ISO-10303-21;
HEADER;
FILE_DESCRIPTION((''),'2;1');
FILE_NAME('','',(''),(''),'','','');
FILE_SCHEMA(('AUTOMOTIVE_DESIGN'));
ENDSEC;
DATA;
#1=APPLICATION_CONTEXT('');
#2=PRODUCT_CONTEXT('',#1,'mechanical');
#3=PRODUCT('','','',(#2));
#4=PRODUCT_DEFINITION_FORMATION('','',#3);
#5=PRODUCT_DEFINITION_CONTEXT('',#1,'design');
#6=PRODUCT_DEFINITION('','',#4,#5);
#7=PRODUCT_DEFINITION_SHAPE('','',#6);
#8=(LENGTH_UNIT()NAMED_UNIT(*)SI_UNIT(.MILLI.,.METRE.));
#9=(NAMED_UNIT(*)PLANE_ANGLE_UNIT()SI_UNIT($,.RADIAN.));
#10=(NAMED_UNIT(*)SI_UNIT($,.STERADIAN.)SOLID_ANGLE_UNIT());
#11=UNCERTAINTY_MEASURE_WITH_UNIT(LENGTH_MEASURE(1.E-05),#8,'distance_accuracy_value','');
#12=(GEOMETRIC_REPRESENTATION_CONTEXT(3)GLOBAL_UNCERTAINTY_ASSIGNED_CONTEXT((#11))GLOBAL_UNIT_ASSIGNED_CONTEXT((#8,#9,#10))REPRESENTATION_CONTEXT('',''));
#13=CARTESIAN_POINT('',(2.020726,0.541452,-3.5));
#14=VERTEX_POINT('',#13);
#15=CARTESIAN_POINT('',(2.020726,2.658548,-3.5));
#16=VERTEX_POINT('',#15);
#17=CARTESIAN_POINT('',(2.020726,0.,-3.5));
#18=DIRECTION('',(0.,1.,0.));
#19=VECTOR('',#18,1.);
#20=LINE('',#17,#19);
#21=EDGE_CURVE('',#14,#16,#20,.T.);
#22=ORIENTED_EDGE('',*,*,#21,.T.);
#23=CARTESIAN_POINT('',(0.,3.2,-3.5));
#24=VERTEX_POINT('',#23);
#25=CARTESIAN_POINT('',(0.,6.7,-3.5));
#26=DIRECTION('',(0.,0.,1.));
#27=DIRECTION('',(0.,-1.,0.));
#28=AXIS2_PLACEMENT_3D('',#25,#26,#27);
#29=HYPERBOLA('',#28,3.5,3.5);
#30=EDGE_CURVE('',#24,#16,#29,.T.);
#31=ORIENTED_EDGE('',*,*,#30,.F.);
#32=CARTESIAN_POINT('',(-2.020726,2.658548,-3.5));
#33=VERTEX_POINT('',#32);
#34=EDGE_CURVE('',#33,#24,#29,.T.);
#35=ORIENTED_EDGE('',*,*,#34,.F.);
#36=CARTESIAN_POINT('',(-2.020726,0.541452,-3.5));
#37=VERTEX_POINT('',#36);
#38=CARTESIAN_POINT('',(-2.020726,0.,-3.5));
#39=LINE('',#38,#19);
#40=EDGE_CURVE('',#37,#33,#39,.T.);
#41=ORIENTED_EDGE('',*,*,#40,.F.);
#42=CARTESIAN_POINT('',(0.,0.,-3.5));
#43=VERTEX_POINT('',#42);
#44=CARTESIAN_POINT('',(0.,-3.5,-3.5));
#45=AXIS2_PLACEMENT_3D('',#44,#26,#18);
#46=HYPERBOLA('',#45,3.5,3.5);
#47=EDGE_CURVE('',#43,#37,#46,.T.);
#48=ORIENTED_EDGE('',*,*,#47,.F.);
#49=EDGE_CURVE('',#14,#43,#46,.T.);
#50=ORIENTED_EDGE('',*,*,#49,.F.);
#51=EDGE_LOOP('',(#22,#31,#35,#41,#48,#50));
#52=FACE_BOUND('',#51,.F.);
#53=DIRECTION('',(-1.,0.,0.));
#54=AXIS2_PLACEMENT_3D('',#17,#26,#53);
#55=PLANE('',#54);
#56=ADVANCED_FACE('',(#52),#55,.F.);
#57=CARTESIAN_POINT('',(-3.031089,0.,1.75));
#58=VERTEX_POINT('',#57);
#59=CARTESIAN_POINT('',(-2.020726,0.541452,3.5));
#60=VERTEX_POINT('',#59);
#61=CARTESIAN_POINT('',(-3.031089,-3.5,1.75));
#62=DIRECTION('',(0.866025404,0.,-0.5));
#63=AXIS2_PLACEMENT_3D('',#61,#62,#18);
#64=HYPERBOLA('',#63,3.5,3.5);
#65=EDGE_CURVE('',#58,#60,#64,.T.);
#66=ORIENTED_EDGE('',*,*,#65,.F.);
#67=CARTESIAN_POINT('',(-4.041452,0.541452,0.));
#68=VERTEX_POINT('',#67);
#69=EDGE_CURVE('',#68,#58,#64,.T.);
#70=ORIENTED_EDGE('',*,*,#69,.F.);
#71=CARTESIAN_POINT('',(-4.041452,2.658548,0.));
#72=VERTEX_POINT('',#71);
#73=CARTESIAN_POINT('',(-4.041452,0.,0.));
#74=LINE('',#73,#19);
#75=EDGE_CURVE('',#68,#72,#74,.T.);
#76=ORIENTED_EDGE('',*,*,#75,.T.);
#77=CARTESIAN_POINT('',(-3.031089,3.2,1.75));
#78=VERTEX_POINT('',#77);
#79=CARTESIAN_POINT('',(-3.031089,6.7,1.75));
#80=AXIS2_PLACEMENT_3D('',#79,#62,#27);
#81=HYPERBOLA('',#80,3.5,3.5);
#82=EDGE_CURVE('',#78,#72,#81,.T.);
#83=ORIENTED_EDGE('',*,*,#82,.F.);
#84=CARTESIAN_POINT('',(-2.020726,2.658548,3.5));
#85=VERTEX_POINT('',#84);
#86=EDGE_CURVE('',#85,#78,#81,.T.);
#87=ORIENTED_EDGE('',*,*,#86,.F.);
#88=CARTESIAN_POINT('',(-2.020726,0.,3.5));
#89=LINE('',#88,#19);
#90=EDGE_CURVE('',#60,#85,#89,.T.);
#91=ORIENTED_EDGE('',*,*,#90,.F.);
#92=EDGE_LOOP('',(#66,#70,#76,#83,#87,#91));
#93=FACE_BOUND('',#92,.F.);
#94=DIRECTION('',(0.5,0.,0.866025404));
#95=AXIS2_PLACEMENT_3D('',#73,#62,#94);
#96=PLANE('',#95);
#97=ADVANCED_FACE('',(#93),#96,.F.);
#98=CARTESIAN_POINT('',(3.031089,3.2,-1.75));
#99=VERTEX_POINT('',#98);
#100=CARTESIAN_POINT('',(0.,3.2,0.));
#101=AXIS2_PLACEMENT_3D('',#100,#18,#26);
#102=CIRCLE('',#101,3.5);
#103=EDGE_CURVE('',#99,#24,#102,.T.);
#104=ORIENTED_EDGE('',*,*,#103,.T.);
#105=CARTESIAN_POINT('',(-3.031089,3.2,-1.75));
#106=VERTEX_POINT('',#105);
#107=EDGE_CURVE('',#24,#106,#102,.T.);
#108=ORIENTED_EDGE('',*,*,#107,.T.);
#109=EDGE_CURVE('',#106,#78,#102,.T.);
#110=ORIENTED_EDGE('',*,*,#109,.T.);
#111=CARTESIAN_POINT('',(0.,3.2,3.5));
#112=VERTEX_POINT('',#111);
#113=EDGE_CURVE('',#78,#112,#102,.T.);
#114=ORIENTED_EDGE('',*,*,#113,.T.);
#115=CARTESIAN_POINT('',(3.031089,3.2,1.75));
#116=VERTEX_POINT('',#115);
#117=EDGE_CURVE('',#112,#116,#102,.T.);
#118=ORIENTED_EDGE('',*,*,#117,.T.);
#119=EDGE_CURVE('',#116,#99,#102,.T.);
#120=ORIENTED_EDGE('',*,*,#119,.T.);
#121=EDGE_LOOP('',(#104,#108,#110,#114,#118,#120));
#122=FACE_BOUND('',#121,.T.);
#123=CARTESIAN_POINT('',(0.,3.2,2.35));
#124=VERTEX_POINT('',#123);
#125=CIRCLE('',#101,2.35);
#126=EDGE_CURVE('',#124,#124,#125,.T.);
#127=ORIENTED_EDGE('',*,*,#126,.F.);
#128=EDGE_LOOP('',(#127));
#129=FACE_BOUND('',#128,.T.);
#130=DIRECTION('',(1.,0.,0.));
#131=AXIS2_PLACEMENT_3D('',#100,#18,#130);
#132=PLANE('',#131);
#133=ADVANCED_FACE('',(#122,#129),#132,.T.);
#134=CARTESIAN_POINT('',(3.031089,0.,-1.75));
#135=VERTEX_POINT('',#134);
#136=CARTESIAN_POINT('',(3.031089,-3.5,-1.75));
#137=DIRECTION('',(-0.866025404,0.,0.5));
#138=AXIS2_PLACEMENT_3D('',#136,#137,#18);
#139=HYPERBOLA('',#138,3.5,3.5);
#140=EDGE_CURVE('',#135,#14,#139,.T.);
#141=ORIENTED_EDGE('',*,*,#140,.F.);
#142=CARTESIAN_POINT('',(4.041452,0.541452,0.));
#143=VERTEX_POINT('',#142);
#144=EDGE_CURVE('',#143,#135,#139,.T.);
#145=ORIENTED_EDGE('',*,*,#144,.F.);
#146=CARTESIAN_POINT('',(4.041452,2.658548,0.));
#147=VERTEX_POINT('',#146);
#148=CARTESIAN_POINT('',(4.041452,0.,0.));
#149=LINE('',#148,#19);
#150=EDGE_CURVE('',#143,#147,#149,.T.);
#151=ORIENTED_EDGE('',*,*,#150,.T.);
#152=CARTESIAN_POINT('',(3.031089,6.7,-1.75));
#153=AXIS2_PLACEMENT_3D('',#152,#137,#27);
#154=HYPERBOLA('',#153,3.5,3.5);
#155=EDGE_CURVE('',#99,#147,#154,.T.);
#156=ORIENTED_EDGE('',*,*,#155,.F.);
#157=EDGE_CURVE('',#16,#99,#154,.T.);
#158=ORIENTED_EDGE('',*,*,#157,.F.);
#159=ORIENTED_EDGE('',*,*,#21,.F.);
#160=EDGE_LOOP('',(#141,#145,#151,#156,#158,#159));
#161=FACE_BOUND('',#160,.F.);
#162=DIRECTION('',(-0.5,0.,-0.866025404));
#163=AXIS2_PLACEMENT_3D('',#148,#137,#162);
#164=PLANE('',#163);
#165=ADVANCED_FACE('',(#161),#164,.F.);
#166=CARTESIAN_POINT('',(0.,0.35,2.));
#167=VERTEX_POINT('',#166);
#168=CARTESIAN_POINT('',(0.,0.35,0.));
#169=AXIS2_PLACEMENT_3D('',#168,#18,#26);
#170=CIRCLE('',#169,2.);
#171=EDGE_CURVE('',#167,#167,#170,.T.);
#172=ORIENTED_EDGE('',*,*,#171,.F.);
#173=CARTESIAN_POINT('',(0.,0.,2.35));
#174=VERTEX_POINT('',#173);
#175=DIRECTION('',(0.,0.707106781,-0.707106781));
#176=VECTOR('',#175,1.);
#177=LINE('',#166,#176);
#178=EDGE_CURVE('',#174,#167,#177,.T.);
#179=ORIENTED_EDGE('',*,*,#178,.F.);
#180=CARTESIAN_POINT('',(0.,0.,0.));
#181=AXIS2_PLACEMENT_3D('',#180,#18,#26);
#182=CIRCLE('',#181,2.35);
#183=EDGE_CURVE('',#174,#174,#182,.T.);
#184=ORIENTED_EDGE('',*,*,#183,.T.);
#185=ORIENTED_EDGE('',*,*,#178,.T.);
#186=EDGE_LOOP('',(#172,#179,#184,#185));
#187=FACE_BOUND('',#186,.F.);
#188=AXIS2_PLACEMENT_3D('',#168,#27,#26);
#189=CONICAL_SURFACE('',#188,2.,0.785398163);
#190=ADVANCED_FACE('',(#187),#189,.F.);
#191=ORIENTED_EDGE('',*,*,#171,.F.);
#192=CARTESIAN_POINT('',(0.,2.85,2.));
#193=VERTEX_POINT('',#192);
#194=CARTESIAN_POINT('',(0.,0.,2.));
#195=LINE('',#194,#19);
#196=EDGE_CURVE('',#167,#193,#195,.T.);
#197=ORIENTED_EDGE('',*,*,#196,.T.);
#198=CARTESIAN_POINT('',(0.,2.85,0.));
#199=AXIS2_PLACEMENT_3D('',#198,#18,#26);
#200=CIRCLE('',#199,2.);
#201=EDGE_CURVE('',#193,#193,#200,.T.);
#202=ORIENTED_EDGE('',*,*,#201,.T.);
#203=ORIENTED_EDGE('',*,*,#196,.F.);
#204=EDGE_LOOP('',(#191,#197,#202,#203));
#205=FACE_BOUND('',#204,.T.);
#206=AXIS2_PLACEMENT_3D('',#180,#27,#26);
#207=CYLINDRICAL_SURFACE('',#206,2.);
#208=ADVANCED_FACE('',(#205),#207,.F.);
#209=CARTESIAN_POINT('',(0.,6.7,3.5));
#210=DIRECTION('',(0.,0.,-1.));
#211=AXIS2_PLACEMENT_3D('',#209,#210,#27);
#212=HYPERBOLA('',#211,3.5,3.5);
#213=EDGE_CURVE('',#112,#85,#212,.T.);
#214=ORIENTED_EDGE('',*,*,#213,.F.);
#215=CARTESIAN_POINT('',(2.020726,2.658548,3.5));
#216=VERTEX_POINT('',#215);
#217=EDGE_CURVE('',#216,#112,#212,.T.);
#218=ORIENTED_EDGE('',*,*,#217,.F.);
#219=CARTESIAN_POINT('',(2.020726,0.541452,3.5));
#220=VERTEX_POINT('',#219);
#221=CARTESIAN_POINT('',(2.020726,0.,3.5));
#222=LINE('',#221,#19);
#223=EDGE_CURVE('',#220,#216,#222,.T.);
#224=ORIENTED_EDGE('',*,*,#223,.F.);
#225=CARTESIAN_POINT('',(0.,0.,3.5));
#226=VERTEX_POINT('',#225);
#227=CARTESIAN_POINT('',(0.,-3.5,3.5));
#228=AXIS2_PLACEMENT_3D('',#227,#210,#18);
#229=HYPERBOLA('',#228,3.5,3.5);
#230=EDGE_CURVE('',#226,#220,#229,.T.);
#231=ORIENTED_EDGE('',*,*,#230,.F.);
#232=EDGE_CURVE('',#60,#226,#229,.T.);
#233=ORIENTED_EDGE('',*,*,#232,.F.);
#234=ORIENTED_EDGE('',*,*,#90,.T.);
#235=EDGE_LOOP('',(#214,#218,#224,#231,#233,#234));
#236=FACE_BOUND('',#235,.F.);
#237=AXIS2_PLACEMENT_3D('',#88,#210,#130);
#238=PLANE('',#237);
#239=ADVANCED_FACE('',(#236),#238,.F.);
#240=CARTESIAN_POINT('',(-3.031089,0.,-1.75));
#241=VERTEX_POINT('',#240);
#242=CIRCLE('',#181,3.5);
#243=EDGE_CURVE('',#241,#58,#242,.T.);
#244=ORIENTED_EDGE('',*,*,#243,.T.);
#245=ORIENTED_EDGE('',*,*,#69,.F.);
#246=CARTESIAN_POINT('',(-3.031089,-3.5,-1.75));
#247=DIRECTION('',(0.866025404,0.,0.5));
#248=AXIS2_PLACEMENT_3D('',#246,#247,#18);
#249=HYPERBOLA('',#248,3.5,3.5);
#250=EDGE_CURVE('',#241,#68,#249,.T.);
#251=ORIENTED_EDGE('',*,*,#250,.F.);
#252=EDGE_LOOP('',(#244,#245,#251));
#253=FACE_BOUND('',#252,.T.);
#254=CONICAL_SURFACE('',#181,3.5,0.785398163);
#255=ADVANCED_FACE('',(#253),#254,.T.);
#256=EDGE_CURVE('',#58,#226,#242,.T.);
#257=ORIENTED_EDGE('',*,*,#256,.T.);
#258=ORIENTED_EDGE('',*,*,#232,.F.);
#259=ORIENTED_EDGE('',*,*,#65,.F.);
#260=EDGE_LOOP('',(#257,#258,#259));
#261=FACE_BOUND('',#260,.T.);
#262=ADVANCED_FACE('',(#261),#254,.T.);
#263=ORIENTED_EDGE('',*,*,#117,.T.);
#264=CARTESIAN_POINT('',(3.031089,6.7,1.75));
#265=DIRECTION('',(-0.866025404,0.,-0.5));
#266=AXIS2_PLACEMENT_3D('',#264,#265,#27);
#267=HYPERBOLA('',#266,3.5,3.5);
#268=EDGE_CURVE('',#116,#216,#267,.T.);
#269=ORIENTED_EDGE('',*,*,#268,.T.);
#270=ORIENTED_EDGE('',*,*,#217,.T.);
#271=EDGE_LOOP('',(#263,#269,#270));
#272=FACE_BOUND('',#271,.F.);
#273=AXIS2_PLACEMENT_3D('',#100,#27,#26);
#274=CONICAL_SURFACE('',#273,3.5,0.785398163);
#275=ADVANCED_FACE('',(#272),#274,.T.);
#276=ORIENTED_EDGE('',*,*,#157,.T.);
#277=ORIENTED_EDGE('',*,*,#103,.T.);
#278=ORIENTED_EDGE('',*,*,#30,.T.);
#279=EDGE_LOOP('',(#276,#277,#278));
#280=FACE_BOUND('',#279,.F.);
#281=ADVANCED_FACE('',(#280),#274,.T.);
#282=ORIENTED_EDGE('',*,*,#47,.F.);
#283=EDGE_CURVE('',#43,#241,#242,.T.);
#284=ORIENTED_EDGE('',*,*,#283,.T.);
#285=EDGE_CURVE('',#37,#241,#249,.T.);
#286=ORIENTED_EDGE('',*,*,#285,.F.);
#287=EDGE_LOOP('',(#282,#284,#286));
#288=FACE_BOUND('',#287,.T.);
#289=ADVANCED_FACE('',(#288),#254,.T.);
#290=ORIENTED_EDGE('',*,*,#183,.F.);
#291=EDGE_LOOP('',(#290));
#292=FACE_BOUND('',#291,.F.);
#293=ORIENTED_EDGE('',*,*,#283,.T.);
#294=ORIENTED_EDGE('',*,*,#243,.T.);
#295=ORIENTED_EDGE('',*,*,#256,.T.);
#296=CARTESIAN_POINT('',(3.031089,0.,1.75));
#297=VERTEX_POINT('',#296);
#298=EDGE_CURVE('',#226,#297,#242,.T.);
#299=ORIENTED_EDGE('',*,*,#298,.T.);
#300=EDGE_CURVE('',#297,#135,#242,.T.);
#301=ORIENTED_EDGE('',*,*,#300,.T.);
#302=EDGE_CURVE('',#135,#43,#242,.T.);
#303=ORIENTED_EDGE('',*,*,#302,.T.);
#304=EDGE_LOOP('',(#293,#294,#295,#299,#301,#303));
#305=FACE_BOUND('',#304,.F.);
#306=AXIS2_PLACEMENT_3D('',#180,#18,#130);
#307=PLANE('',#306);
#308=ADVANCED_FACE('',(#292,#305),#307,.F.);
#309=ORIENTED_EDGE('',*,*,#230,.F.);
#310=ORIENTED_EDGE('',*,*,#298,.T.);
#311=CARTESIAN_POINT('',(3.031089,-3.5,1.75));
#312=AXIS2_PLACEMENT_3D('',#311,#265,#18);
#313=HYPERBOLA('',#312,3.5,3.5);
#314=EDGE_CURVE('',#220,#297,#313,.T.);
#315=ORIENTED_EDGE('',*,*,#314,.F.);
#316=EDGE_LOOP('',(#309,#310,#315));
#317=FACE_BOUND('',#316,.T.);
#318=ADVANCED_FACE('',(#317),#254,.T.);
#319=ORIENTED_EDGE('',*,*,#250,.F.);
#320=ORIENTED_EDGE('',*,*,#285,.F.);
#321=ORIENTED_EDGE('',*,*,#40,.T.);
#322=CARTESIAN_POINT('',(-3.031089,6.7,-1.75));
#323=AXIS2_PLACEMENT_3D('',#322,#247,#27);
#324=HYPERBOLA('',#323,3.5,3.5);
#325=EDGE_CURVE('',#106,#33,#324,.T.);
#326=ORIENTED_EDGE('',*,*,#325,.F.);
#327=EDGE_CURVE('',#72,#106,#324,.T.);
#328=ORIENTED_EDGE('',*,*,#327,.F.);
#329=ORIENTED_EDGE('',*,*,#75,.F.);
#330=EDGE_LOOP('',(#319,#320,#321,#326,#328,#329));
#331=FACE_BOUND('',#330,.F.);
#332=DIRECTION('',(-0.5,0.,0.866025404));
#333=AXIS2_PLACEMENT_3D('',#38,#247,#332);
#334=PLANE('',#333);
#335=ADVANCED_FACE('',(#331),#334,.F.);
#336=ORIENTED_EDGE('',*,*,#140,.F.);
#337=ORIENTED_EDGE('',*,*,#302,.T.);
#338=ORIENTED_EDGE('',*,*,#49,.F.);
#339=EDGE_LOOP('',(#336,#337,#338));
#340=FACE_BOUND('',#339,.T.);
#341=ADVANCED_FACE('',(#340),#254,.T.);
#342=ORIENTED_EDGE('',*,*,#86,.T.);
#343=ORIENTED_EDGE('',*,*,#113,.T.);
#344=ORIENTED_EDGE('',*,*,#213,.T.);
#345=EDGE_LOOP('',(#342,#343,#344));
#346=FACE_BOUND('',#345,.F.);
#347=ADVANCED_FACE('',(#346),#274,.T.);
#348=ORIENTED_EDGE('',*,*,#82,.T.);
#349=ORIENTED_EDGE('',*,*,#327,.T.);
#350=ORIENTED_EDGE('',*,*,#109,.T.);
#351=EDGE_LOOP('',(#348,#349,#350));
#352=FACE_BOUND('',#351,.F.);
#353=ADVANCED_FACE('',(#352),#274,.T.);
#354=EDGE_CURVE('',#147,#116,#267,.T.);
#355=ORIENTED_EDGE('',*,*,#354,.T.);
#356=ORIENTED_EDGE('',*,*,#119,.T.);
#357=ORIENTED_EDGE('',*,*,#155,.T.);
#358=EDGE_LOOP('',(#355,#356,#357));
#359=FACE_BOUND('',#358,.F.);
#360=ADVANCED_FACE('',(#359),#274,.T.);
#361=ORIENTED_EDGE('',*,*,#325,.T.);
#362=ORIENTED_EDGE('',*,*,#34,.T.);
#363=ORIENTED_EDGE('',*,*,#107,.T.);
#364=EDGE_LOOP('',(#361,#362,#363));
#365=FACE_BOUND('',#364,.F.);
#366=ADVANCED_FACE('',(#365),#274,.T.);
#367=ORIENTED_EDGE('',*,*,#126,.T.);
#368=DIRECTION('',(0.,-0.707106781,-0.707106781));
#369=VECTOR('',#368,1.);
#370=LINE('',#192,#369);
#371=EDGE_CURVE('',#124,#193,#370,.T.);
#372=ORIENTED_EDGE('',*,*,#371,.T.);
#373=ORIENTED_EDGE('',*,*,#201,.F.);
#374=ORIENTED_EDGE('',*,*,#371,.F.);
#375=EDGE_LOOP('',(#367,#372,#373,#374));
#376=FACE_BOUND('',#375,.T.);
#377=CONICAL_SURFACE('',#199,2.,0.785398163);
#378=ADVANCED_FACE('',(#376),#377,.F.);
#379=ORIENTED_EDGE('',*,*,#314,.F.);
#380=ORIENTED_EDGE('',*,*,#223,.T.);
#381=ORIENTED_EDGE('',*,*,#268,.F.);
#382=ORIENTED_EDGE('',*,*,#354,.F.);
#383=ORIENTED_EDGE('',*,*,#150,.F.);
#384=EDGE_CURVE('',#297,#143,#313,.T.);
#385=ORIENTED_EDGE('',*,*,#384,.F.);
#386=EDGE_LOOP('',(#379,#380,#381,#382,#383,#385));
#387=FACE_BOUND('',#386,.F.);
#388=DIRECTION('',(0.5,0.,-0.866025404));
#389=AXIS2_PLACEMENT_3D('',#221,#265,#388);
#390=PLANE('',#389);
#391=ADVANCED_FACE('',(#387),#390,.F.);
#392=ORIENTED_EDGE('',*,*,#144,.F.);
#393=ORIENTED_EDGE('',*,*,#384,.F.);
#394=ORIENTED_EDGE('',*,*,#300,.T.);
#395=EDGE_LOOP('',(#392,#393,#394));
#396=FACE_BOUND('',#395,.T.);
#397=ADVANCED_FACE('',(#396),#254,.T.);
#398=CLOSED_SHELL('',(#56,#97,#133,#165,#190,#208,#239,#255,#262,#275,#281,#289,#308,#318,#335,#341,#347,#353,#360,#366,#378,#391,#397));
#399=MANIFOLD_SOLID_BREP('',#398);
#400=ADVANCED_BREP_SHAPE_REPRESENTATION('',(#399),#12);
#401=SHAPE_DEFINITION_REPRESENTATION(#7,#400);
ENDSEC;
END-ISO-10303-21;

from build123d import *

# Parameters (mm, degrees)
SKETCH1_R           = 2
BOSS_EXTRUDE1_DEPTH = 3.2
CHAMFER1_SIZE       = 0.35


with BuildPart() as part:
    # Sketch1 → Boss-Extrude1 (new body)
    with BuildSketch(Plane(origin=(0, 0, 0), x_dir=(1, 0, 0), z_dir=(0, 1, 0))):
        Polygon((4.041451884, 0), (2.020725942, 3.5), (-2.020725942, 3.5), (-4.041451884, 0), (-2.020725942, -3.5), (2.020725942, -3.5), align=None)
        with Locations(Location((0, 0, 0), (0, 0, 270))):
            Circle(SKETCH1_R, mode=Mode.SUBTRACT)
    extrude(amount=BOSS_EXTRUDE1_DEPTH)

    # Sketch3 → Cut-Revolve1 (revolve, cut)
    with BuildSketch(Plane(origin=(0, 0, 0), x_dir=(0, 0, -1), z_dir=(1, 0, 0))):
        Polygon((-3.5, 0), (-4.1, 0.6), (-4.1, 0), align=None)
        Polygon((-4.1, 3.2), (-3.5, 3.2), (-4.1, 2.6), align=None)
    revolve(axis=Axis((0, 0, 0), (0, 1, 0)), mode=Mode.SUBTRACT)

    # Chamfer1
    chamfer1_edges = [part.edges().sort_by_distance(p)[0] for p in [
        (0, 0, -2),
        (0, 3.2, -2),
    ]]
    chamfer(chamfer1_edges, length=CHAMFER1_SIZE)


solid = part.part
